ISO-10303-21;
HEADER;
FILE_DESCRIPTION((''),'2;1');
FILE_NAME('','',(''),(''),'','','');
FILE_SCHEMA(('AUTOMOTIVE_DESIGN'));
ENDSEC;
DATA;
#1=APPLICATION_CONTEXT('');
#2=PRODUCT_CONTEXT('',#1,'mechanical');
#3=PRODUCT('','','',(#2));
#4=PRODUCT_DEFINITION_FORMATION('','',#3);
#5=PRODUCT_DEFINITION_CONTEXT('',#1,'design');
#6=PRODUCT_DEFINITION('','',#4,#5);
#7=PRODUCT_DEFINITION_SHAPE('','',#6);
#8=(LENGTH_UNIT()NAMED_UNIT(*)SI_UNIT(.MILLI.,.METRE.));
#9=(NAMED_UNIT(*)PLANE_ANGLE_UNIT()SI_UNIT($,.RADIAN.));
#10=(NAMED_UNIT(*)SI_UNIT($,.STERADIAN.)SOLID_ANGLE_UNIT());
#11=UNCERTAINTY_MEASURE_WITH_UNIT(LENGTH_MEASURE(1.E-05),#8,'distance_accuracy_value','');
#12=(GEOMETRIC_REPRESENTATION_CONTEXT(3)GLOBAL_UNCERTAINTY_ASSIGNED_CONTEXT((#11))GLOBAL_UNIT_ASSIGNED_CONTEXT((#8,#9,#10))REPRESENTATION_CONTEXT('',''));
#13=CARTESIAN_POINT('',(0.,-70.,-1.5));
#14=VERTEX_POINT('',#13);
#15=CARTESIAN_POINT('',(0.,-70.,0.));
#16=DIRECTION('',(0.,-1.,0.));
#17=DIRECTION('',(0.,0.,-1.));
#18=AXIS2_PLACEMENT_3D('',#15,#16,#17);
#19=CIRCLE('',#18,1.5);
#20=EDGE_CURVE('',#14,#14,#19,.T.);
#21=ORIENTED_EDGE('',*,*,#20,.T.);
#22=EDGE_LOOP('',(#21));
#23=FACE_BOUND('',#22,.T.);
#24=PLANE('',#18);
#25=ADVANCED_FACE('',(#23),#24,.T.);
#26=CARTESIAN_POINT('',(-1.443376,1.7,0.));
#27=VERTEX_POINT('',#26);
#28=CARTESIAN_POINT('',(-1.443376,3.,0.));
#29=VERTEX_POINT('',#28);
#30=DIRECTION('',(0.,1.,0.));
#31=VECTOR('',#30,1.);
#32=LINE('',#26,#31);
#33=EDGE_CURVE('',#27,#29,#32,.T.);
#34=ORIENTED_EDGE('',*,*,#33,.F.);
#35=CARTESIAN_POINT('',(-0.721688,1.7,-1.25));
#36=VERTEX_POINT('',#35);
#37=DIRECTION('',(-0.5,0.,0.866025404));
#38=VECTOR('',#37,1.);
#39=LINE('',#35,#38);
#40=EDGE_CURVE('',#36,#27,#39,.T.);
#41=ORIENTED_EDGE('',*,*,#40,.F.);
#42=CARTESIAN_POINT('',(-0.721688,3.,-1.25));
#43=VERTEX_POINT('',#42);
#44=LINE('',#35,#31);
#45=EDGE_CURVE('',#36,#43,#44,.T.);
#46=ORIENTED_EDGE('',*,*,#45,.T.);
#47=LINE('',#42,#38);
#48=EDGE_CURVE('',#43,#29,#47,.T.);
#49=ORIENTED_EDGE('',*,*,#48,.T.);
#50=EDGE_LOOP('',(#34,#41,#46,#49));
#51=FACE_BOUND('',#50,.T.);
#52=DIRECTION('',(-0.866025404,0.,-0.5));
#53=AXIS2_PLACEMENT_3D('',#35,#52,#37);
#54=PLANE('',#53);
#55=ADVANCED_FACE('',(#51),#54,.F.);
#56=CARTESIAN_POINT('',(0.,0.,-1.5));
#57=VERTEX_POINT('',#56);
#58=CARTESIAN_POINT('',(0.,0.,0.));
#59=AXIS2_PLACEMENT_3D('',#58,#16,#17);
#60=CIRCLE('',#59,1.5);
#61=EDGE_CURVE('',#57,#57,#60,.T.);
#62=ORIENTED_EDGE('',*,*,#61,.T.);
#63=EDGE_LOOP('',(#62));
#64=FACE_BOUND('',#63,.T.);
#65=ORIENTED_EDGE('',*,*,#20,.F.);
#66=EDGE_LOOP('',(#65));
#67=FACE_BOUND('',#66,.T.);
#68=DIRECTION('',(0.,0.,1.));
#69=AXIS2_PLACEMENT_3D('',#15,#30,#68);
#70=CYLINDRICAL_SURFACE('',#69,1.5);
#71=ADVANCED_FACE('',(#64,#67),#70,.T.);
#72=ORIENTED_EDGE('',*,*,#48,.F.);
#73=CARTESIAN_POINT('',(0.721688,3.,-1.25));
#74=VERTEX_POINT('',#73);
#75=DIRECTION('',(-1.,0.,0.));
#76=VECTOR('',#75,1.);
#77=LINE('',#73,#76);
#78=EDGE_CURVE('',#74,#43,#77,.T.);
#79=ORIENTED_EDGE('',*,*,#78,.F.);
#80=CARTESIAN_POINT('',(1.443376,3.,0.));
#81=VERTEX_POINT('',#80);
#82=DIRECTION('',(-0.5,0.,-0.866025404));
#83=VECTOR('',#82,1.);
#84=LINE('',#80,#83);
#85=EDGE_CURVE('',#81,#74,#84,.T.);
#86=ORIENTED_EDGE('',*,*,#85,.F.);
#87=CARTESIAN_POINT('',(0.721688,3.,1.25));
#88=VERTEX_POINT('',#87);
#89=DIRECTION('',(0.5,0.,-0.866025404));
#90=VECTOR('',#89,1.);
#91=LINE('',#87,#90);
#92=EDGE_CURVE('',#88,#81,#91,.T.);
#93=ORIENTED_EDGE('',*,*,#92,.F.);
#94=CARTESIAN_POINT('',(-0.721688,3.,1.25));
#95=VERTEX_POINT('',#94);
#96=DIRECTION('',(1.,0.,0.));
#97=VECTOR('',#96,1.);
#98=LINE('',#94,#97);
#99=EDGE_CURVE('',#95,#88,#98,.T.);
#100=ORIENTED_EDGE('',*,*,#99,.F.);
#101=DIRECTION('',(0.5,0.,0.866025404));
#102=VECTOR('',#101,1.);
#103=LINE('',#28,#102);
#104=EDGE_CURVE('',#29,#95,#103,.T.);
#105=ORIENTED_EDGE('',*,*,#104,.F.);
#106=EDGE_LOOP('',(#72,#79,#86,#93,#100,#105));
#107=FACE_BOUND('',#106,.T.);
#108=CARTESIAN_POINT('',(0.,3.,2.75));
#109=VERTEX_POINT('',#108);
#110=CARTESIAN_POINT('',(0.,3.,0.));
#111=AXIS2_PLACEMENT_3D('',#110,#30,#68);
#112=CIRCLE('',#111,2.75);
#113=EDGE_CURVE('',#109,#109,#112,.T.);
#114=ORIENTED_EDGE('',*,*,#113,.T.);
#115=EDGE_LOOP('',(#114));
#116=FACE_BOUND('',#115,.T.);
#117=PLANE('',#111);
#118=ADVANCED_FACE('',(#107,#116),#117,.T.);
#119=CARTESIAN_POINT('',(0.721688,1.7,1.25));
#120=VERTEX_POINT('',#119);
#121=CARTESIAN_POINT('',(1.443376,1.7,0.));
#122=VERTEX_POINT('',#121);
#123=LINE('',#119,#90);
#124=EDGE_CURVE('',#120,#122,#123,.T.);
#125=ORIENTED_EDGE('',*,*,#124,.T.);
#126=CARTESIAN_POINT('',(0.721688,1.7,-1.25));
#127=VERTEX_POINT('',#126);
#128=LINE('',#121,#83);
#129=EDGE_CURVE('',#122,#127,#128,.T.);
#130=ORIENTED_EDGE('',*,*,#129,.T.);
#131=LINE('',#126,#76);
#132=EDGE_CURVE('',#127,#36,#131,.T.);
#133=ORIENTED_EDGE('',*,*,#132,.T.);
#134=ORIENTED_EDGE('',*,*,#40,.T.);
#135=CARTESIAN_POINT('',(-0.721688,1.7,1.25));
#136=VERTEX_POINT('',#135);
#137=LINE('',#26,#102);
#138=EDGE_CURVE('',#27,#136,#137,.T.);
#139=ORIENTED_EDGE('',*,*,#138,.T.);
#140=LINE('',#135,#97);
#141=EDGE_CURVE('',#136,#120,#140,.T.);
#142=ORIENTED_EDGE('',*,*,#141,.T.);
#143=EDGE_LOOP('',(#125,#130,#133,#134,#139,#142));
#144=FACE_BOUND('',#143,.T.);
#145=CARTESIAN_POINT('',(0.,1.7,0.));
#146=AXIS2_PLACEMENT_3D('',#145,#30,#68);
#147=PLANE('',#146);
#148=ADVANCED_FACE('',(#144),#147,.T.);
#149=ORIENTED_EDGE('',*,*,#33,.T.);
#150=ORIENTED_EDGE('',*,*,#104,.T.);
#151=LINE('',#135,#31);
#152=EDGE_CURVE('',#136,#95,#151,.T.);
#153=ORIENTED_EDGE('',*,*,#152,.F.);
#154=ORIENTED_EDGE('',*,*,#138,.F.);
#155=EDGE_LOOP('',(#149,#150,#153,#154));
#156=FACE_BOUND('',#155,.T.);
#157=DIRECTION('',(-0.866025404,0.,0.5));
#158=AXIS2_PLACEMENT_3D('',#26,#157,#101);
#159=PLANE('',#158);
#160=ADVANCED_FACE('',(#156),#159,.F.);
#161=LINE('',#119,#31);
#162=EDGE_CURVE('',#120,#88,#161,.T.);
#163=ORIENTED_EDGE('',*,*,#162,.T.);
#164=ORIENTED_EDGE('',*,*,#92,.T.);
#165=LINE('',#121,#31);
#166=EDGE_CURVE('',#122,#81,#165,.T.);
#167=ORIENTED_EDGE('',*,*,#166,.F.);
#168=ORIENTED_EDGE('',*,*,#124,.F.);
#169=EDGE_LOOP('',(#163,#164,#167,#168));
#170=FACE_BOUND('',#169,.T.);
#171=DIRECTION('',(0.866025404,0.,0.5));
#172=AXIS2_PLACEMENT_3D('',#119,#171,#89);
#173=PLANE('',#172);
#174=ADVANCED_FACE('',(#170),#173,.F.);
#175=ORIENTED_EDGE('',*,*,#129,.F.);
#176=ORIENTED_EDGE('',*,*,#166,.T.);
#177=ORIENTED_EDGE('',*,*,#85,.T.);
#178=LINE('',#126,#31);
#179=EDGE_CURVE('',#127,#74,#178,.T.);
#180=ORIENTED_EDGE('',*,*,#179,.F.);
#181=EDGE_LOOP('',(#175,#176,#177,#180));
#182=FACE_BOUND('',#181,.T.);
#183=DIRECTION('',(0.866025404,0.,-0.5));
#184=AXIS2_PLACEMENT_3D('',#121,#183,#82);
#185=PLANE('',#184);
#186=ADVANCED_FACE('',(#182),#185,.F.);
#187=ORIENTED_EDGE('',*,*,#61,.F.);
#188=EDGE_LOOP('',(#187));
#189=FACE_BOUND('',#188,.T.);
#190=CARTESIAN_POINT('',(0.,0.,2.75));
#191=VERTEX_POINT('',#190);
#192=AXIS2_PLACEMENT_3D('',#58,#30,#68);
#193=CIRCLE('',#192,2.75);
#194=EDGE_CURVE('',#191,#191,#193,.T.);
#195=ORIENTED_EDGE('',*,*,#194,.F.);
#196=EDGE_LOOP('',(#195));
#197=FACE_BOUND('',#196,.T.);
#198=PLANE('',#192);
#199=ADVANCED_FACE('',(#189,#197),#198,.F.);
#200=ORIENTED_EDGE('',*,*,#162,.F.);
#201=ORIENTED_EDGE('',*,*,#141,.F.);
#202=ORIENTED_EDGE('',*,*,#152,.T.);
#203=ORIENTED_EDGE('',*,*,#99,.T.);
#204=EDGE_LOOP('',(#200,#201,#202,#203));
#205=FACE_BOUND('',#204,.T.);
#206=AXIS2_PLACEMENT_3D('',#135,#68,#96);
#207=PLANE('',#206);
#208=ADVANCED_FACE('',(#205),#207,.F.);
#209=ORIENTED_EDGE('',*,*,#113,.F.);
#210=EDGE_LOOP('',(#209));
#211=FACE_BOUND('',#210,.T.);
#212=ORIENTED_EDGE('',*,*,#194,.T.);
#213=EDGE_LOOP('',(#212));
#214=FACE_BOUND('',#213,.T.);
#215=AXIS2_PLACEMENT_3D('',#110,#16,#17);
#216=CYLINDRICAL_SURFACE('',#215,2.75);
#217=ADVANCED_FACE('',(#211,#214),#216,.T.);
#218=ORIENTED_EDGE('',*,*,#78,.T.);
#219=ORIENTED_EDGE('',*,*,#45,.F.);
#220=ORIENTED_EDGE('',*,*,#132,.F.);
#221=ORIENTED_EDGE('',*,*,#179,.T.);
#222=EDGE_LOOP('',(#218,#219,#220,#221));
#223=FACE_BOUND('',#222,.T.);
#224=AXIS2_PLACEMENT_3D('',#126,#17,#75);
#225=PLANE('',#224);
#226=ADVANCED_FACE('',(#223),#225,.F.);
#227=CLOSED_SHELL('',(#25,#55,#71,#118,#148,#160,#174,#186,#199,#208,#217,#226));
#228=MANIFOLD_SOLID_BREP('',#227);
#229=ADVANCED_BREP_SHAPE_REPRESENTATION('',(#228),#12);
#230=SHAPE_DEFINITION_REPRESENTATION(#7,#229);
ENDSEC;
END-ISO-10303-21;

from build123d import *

# Parameters (mm, degrees)
SKETCH_1_R            = 2.75
EXTRUDE_248_DEPTH     = 3
CUT_EXTRUDE_378_DEPTH = 1.3
SKETCH_3_R            = 1.5
EXTRUDE_479_DEPTH     = 70


with BuildPart() as part:
    # 草图1 → Extrude 248 (new body)
    with BuildSketch(Plane(origin=(0, 0, 0), x_dir=(1, 0, 0), z_dir=(0, 1, 0))):
        Circle(SKETCH_1_R)
    extrude(amount=EXTRUDE_248_DEPTH)

    # 草图2 → Cut-Extrude 378 (cut)
    with BuildSketch(Plane(origin=(0, 3, 0), x_dir=(1, 0, 0), z_dir=(0, 1, 0))):
        Polygon((1.443375673, 0), (0.721687836, 1.25), (-0.721687836, 1.25), (-1.443375673, 0), (-0.721687836, -1.25), (0.721687836, -1.25), align=None)
    extrude(amount=-CUT_EXTRUDE_378_DEPTH, mode=Mode.SUBTRACT)

    # 草图3 → Extrude 479 (add)
    with BuildSketch(Plane.XZ):
        Circle(SKETCH_3_R)
    extrude(amount=EXTRUDE_479_DEPTH)


solid = part.part
